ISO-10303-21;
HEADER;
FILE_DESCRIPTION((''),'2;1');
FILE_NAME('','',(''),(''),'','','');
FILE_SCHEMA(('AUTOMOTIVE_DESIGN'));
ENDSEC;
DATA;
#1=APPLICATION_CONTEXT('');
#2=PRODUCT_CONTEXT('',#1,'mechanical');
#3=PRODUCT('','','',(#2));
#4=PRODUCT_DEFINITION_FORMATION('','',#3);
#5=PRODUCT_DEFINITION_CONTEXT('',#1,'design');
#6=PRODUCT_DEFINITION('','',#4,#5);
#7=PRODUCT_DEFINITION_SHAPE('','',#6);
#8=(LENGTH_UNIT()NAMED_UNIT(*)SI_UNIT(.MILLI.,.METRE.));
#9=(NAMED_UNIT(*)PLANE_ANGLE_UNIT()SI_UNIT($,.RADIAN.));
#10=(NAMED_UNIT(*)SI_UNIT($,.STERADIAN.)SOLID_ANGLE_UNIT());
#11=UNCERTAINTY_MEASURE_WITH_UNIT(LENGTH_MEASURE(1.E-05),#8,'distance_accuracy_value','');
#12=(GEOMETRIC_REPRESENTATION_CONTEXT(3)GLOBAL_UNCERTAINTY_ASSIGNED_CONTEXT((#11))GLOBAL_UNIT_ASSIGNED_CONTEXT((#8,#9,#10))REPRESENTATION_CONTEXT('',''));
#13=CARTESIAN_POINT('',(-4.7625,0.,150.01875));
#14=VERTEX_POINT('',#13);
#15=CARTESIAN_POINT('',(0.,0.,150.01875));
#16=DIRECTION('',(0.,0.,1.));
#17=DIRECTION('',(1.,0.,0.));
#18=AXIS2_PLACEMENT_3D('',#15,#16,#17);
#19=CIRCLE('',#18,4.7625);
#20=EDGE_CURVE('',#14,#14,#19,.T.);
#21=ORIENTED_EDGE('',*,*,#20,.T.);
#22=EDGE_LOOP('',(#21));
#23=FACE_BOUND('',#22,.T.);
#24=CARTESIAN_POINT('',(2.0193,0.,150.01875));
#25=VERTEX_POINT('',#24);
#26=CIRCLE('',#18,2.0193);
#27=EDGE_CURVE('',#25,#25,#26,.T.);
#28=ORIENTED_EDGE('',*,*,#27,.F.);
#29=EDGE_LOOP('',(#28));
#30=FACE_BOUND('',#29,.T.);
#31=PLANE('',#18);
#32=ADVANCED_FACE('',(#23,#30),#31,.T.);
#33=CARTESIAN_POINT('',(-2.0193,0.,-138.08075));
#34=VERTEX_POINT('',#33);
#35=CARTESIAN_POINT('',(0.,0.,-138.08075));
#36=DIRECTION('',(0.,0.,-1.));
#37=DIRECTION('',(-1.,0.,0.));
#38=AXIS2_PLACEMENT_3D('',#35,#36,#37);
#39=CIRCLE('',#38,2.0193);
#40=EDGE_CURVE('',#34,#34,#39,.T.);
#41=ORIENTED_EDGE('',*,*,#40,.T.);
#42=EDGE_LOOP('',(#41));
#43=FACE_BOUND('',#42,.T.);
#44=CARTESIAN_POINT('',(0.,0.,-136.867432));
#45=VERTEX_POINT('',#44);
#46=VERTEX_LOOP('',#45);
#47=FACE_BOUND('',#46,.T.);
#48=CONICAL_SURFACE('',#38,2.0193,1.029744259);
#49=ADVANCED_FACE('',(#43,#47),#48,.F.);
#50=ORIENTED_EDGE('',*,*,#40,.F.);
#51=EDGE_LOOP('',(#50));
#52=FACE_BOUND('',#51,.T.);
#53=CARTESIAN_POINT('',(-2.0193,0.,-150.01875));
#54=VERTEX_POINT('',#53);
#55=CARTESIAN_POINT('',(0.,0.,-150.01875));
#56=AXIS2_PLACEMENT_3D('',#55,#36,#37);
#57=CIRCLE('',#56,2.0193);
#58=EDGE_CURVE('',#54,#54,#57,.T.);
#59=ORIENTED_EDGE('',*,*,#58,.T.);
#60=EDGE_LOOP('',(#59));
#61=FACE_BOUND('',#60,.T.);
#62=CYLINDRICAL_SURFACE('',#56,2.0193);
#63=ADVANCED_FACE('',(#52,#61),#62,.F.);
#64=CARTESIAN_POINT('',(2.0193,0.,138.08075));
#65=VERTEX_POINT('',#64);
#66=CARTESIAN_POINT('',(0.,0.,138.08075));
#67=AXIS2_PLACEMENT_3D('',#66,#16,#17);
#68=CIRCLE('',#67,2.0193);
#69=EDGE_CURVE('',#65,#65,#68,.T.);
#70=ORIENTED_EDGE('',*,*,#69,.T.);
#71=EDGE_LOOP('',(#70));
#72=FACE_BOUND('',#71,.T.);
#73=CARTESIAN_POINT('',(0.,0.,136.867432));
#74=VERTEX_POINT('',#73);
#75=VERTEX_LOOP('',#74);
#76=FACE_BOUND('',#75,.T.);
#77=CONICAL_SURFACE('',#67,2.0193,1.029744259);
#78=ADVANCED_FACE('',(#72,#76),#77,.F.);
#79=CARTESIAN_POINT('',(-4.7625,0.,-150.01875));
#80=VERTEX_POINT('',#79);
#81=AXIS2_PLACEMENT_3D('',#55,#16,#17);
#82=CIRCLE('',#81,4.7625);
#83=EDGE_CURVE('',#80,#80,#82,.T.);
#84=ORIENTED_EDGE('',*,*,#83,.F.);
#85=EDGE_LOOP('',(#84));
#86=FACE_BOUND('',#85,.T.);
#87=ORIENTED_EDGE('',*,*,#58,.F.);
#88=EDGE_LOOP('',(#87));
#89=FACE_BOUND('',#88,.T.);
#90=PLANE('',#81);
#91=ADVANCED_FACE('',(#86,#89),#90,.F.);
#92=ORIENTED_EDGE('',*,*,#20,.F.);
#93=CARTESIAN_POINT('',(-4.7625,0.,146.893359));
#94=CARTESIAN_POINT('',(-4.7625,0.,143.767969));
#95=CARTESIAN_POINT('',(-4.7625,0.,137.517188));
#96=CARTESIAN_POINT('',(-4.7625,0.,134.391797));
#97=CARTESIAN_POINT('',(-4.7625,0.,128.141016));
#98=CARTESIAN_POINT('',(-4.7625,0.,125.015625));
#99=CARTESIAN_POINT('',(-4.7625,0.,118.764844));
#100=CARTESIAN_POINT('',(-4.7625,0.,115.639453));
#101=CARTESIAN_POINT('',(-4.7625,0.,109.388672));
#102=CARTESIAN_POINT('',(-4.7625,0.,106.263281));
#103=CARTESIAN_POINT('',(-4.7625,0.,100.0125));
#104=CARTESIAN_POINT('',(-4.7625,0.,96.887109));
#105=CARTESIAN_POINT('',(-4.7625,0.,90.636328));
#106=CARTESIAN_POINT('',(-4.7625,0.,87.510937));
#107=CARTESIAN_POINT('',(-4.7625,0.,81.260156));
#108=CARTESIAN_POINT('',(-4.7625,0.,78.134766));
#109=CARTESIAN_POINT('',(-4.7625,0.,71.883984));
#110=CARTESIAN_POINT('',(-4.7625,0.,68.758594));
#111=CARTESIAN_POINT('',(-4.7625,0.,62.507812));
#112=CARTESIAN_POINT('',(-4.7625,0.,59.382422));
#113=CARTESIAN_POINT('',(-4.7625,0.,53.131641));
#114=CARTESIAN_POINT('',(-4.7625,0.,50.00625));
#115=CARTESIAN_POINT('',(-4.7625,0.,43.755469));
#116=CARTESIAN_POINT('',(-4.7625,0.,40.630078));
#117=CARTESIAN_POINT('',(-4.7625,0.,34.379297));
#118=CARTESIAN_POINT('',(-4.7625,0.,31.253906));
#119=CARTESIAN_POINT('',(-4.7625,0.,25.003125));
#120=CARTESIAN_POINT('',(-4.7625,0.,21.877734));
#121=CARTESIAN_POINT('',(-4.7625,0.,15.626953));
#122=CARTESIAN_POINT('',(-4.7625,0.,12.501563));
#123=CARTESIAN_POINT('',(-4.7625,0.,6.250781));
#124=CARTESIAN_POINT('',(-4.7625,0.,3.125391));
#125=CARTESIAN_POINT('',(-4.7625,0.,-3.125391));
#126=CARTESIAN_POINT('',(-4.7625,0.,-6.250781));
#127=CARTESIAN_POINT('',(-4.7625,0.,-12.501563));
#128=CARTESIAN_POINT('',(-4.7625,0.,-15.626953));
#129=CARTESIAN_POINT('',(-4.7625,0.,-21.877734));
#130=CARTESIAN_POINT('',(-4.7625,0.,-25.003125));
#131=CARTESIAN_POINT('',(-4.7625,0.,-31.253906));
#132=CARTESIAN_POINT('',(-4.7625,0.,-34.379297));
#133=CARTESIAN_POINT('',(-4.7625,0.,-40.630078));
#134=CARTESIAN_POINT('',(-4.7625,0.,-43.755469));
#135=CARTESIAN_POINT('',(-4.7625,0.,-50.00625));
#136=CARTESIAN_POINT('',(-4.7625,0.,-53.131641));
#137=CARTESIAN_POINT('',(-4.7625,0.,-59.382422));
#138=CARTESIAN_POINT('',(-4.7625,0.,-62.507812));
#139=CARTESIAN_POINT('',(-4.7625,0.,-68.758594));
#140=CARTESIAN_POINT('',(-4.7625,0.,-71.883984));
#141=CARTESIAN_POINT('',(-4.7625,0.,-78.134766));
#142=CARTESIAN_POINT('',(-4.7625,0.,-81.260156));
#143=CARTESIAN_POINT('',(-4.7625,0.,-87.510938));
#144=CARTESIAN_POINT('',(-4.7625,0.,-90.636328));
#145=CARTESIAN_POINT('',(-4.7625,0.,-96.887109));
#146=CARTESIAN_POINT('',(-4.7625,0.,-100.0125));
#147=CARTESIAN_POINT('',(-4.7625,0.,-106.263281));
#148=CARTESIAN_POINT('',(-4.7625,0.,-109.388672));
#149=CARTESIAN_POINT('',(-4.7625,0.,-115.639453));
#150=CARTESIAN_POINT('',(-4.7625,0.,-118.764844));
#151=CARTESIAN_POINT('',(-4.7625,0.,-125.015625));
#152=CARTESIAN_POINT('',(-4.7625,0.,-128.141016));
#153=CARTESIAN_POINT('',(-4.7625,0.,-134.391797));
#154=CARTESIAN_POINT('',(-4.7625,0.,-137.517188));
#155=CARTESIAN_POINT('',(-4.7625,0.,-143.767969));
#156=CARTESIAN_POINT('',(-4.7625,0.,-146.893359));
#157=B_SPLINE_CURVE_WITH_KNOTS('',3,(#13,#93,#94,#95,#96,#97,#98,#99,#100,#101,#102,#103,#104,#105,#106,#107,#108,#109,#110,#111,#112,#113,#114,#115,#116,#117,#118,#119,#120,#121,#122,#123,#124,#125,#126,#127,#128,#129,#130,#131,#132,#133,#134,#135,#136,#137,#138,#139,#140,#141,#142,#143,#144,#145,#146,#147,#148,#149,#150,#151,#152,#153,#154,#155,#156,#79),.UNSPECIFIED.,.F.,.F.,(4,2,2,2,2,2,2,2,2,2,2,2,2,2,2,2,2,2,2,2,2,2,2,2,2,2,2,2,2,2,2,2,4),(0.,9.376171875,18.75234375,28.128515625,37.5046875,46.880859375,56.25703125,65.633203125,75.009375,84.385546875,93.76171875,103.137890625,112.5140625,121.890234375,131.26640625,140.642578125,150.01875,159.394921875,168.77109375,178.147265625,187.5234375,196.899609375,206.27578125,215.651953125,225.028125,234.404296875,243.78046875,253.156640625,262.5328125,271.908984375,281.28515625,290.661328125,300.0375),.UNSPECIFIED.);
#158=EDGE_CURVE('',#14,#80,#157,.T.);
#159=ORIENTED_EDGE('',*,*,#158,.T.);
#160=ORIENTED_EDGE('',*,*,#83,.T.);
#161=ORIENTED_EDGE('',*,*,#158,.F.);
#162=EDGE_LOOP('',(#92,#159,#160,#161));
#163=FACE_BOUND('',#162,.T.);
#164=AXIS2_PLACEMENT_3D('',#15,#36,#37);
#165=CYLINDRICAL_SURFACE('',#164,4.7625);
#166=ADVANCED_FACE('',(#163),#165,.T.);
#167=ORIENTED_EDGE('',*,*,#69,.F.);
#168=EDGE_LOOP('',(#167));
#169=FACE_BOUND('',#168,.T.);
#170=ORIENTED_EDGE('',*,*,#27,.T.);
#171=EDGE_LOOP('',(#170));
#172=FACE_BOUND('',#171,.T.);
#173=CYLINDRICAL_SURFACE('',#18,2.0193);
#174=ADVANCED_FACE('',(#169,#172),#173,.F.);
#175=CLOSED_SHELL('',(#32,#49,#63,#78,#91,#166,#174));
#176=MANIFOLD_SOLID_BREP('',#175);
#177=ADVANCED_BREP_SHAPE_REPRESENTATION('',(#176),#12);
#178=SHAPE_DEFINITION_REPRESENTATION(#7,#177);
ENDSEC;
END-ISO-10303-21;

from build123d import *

# Parameters (mm, degrees)
SKETCH1_R                            = 4.7625
BOSS_EXTRUDE1_DEPTH                  = 150.01875
F_10_32_TAPPED_HOLE1_D               = 4.0386
F_10_32_TAPPED_HOLE1_DEPTH           = 11.938
F_10_32_TAPPED_HOLE1_TIP             = 1.213317848
F_10_32_TAPPED_HOLE1_ON_FACE_2_D     = 4.0386
F_10_32_TAPPED_HOLE1_ON_FACE_2_DEPTH = 11.938
F_10_32_TAPPED_HOLE1_ON_FACE_2_TIP   = 1.213317848


with BuildPart() as part:
    # Sketch1 → Boss-Extrude1 (new, symmetric)
    with BuildSketch(Plane.XY):
        with Locations(Location((0, 0, 0), (0, 0, 180))):
            Circle(SKETCH1_R)
    extrude(amount=BOSS_EXTRUDE1_DEPTH, both=True)

    # #10-32 Tapped Hole1
    with Locations(Plane.XY.offset(150.01875)):
        with Locations((0, 0)):
            Hole(F_10_32_TAPPED_HOLE1_D / 2, depth=F_10_32_TAPPED_HOLE1_DEPTH)
            with Locations((0, 0, -(F_10_32_TAPPED_HOLE1_DEPTH + F_10_32_TAPPED_HOLE1_TIP / 2))):  # 118° drill point
                Cone(0, F_10_32_TAPPED_HOLE1_D / 2, F_10_32_TAPPED_HOLE1_TIP, mode=Mode.SUBTRACT)

    # #10-32 Tapped Hole1 on face 2
    with Locations(Plane(origin=(0, 0, -150.01875), x_dir=(-1, 0, 0), z_dir=(0, 0, -1))):
        with Locations((0, 0)):
            Hole(F_10_32_TAPPED_HOLE1_ON_FACE_2_D / 2, depth=F_10_32_TAPPED_HOLE1_ON_FACE_2_DEPTH)
            with Locations((0, 0, -(F_10_32_TAPPED_HOLE1_ON_FACE_2_DEPTH + F_10_32_TAPPED_HOLE1_ON_FACE_2_TIP / 2))):  # 118° drill point
                Cone(0, F_10_32_TAPPED_HOLE1_ON_FACE_2_D / 2, F_10_32_TAPPED_HOLE1_ON_FACE_2_TIP, mode=Mode.SUBTRACT)


solid = part.part
